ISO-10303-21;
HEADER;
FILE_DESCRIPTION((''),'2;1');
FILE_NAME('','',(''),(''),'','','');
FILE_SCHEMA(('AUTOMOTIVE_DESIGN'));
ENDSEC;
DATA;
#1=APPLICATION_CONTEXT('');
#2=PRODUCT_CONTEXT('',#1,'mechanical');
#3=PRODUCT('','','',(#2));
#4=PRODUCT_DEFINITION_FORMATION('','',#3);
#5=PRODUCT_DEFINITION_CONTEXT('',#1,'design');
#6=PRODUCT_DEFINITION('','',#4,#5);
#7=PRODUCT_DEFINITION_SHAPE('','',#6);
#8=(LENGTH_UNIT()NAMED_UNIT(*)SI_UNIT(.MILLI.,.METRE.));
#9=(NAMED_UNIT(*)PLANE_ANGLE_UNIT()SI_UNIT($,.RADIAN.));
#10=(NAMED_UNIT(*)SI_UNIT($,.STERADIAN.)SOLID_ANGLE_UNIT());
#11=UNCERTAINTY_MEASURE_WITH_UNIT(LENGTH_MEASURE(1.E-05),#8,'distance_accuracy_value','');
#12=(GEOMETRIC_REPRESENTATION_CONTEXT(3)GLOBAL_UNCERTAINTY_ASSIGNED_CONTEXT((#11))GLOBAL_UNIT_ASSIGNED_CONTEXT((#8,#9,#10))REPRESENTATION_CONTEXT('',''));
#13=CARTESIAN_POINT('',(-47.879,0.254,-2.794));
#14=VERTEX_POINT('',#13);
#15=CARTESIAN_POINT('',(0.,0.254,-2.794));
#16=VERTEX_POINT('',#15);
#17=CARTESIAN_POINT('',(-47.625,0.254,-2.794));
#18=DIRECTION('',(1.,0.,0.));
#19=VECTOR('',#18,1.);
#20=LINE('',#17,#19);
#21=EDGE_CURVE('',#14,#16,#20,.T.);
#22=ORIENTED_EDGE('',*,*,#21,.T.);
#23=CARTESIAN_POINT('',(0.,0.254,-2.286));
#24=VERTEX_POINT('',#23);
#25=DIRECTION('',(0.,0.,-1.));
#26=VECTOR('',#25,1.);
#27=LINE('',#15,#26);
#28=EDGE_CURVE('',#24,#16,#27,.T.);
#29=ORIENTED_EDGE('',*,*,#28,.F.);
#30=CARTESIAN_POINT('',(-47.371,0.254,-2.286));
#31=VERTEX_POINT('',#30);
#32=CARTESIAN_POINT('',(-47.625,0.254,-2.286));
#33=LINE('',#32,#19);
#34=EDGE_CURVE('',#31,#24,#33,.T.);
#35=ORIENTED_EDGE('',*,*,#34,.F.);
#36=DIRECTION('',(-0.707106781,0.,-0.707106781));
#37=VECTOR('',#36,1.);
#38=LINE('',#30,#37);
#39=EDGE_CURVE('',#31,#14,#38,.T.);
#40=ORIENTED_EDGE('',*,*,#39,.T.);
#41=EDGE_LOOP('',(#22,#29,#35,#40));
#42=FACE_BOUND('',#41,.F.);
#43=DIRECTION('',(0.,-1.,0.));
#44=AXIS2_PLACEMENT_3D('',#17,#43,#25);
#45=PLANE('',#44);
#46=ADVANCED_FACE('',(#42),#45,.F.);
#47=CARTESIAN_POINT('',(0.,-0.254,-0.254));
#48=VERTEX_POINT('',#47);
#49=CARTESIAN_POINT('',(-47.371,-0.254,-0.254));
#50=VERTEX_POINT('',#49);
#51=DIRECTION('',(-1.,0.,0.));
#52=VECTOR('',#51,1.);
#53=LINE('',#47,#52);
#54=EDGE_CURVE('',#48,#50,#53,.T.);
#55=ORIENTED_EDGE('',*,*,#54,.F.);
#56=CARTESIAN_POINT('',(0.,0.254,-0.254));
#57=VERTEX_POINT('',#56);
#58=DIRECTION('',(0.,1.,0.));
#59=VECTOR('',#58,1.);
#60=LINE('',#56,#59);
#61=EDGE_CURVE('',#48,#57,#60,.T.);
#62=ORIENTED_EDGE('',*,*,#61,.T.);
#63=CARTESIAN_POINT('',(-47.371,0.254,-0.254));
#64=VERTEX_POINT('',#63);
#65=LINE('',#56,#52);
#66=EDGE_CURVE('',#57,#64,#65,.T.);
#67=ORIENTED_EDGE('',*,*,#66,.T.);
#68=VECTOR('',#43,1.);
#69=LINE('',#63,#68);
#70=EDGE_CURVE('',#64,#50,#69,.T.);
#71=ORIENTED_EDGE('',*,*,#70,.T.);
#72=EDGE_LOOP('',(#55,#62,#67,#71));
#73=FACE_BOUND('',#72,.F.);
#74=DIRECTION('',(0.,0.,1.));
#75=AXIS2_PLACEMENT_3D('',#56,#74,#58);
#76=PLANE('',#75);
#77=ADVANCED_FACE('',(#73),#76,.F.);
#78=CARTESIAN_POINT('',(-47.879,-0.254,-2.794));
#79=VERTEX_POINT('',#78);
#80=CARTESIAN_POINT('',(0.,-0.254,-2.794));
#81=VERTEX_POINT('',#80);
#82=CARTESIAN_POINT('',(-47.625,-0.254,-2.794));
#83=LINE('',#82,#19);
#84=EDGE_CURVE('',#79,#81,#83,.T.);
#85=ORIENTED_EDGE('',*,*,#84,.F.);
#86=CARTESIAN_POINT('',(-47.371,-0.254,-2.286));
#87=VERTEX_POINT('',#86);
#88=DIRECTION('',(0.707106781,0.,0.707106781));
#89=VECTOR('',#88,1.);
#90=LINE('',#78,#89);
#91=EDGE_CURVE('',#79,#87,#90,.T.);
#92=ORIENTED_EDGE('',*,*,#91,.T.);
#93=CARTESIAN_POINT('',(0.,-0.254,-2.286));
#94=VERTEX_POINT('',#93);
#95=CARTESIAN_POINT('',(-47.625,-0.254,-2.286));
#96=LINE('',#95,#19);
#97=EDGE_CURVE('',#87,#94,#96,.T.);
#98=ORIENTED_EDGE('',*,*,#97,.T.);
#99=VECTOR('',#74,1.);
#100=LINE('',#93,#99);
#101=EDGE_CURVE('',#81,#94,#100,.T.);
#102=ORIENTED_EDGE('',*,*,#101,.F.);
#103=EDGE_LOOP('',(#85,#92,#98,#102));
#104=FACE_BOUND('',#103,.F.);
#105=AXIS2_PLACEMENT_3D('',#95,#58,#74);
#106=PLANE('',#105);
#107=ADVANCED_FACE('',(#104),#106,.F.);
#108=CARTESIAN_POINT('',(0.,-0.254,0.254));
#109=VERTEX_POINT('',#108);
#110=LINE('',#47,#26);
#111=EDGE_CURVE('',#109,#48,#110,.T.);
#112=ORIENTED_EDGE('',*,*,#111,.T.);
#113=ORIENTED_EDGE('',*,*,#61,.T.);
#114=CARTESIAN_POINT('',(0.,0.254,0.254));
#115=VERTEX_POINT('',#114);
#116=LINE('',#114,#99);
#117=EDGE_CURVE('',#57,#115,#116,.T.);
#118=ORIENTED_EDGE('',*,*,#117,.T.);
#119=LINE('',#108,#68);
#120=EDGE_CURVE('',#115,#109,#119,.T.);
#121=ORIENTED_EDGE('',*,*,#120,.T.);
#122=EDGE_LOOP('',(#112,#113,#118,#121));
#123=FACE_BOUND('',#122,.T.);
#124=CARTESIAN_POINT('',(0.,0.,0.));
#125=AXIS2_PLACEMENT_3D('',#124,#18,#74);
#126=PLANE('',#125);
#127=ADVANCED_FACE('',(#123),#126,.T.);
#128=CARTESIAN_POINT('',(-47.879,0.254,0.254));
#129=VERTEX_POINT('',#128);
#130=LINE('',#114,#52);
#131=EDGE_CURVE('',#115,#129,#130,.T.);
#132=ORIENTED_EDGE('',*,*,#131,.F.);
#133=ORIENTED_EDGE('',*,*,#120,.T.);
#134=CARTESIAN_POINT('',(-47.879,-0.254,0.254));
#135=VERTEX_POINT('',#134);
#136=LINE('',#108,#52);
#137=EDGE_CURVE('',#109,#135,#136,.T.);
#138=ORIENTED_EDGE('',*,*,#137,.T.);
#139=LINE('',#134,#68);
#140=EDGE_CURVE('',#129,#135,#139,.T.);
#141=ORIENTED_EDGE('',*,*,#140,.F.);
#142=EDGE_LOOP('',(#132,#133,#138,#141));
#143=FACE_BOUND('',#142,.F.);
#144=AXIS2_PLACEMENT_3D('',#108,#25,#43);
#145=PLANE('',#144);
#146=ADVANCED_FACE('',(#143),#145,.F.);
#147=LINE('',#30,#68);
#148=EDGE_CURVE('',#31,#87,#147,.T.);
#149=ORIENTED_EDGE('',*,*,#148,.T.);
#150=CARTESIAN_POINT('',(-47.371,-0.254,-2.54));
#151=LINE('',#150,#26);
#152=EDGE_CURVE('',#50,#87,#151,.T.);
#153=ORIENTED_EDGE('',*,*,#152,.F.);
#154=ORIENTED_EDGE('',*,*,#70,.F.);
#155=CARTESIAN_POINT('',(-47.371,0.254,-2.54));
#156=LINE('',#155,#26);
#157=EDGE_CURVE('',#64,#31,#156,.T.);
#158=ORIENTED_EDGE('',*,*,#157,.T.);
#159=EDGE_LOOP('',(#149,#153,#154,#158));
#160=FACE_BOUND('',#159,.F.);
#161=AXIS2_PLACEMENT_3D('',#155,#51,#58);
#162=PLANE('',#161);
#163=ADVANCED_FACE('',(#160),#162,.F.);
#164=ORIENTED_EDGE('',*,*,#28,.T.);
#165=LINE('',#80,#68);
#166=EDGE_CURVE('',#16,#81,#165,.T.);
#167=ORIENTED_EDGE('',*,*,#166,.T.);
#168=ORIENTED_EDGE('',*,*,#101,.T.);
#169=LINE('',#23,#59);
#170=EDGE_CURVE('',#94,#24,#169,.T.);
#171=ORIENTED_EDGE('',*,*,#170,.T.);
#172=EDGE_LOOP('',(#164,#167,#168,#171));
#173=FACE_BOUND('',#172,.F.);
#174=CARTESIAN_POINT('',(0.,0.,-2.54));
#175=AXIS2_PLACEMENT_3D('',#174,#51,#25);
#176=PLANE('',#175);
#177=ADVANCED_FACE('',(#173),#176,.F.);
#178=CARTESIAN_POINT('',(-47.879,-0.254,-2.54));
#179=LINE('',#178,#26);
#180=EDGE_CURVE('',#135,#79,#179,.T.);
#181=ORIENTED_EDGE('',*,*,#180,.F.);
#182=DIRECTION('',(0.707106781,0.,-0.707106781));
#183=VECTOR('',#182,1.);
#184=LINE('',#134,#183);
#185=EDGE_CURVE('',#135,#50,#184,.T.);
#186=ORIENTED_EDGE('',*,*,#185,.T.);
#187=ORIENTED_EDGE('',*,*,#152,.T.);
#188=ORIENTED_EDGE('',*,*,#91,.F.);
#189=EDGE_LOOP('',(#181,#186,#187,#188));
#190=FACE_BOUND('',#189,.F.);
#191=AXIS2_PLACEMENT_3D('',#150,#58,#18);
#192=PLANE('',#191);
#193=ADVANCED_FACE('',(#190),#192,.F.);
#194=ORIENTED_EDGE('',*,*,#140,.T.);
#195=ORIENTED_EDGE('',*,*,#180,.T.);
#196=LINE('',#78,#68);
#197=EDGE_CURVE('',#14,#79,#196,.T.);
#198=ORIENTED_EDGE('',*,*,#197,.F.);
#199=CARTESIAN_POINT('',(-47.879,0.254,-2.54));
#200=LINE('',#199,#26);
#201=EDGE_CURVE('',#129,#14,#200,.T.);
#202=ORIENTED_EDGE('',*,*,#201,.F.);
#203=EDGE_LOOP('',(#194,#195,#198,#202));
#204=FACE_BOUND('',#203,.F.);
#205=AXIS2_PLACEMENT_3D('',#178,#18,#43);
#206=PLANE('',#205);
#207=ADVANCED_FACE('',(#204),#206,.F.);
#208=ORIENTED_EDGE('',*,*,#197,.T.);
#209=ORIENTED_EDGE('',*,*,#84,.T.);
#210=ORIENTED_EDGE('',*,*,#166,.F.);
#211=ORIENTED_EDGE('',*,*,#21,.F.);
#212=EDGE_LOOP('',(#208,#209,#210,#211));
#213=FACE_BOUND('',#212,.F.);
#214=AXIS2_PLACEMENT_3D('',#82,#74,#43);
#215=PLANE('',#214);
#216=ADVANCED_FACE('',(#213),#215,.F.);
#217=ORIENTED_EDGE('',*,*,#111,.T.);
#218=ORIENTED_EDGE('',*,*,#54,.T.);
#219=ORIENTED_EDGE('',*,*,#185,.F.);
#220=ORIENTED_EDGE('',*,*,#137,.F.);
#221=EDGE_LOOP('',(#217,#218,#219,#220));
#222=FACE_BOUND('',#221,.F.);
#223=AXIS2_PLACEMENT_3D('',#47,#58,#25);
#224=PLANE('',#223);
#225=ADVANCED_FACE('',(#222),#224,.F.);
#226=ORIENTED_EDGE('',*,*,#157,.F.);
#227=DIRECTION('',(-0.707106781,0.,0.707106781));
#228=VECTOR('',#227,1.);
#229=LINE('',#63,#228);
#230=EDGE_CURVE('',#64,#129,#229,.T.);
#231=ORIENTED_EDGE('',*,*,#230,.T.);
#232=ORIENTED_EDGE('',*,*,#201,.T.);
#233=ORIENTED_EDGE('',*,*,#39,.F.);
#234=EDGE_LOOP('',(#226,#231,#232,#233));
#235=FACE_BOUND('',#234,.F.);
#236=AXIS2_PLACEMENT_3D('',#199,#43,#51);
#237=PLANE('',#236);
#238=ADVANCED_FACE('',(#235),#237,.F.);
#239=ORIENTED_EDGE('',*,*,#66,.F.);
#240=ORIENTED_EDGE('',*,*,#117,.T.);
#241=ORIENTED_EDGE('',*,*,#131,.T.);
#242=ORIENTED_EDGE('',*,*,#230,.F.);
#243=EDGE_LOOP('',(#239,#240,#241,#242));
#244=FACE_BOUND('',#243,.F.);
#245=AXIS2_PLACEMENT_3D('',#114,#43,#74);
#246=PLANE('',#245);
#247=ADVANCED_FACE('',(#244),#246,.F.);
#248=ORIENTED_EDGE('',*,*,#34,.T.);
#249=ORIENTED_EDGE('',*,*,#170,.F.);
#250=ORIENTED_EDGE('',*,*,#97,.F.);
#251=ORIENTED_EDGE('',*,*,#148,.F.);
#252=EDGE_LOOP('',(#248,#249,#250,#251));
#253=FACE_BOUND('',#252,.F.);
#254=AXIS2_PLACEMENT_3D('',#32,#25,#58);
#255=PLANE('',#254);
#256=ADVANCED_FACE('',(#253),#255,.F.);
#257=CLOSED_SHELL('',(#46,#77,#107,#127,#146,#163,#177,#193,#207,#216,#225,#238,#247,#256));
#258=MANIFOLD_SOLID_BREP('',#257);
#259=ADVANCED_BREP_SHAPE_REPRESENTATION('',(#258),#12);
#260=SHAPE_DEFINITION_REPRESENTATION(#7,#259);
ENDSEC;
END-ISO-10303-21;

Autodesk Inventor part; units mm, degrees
ref_plane "XZ Plane" through (0, 0, 0) normal (0, 1, 0) x (-1, 0, 0)
sketch "Sketch1" plane through (0, 0, 0) normal (0, 1, 0) x (-1, 0, 0)
  line L0 (0, 0) -> (47.625, 0)
  line L1 (47.625, -2.54) -> (0, -2.54)
  line L2 (47.625, -2.54) -> (47.625, 0)
  dimension "d69" = 47.625
  dimension "d70" = 47.625
  dimension "d89" = 2.54
  dimension "d90" = 0
  dimension "d91" = 0
  dimension "d92" = 0
sketch "Sketch2" plane through (0, 0, 0) normal (1, 0, 0) x (0, 1, 0)
  line L0 (-0.254, 0.254) -> (0.254, 0.254)
  line L1 (0.254, 0.254) -> (0.254, -0.254)
  line L2 (0.254, -0.254) -> (-0.254, -0.254)
  line L3 (-0.254, -0.254) -> (-0.254, 0.254)
  dimension "d98" = 0.508
  dimension "d99" = 0.508
sweep "Sweep1" add profiles "Sketch2" path "Sketch1"
ref_plane "Work Plane1" through (6.35, 0, 0) normal (1, 0, 0) x (0, 1, 0)
ref_plane "Work Plane2" through (0, 0, -6.35) normal (0, 0, 1) x (1, 0, 0)
ref_plane "Work Plane4" through (0, 0, -2.9845) normal (0, 0, 1) x (1, 0, 0)
properties part number "abs_2p3" material "Silver"
